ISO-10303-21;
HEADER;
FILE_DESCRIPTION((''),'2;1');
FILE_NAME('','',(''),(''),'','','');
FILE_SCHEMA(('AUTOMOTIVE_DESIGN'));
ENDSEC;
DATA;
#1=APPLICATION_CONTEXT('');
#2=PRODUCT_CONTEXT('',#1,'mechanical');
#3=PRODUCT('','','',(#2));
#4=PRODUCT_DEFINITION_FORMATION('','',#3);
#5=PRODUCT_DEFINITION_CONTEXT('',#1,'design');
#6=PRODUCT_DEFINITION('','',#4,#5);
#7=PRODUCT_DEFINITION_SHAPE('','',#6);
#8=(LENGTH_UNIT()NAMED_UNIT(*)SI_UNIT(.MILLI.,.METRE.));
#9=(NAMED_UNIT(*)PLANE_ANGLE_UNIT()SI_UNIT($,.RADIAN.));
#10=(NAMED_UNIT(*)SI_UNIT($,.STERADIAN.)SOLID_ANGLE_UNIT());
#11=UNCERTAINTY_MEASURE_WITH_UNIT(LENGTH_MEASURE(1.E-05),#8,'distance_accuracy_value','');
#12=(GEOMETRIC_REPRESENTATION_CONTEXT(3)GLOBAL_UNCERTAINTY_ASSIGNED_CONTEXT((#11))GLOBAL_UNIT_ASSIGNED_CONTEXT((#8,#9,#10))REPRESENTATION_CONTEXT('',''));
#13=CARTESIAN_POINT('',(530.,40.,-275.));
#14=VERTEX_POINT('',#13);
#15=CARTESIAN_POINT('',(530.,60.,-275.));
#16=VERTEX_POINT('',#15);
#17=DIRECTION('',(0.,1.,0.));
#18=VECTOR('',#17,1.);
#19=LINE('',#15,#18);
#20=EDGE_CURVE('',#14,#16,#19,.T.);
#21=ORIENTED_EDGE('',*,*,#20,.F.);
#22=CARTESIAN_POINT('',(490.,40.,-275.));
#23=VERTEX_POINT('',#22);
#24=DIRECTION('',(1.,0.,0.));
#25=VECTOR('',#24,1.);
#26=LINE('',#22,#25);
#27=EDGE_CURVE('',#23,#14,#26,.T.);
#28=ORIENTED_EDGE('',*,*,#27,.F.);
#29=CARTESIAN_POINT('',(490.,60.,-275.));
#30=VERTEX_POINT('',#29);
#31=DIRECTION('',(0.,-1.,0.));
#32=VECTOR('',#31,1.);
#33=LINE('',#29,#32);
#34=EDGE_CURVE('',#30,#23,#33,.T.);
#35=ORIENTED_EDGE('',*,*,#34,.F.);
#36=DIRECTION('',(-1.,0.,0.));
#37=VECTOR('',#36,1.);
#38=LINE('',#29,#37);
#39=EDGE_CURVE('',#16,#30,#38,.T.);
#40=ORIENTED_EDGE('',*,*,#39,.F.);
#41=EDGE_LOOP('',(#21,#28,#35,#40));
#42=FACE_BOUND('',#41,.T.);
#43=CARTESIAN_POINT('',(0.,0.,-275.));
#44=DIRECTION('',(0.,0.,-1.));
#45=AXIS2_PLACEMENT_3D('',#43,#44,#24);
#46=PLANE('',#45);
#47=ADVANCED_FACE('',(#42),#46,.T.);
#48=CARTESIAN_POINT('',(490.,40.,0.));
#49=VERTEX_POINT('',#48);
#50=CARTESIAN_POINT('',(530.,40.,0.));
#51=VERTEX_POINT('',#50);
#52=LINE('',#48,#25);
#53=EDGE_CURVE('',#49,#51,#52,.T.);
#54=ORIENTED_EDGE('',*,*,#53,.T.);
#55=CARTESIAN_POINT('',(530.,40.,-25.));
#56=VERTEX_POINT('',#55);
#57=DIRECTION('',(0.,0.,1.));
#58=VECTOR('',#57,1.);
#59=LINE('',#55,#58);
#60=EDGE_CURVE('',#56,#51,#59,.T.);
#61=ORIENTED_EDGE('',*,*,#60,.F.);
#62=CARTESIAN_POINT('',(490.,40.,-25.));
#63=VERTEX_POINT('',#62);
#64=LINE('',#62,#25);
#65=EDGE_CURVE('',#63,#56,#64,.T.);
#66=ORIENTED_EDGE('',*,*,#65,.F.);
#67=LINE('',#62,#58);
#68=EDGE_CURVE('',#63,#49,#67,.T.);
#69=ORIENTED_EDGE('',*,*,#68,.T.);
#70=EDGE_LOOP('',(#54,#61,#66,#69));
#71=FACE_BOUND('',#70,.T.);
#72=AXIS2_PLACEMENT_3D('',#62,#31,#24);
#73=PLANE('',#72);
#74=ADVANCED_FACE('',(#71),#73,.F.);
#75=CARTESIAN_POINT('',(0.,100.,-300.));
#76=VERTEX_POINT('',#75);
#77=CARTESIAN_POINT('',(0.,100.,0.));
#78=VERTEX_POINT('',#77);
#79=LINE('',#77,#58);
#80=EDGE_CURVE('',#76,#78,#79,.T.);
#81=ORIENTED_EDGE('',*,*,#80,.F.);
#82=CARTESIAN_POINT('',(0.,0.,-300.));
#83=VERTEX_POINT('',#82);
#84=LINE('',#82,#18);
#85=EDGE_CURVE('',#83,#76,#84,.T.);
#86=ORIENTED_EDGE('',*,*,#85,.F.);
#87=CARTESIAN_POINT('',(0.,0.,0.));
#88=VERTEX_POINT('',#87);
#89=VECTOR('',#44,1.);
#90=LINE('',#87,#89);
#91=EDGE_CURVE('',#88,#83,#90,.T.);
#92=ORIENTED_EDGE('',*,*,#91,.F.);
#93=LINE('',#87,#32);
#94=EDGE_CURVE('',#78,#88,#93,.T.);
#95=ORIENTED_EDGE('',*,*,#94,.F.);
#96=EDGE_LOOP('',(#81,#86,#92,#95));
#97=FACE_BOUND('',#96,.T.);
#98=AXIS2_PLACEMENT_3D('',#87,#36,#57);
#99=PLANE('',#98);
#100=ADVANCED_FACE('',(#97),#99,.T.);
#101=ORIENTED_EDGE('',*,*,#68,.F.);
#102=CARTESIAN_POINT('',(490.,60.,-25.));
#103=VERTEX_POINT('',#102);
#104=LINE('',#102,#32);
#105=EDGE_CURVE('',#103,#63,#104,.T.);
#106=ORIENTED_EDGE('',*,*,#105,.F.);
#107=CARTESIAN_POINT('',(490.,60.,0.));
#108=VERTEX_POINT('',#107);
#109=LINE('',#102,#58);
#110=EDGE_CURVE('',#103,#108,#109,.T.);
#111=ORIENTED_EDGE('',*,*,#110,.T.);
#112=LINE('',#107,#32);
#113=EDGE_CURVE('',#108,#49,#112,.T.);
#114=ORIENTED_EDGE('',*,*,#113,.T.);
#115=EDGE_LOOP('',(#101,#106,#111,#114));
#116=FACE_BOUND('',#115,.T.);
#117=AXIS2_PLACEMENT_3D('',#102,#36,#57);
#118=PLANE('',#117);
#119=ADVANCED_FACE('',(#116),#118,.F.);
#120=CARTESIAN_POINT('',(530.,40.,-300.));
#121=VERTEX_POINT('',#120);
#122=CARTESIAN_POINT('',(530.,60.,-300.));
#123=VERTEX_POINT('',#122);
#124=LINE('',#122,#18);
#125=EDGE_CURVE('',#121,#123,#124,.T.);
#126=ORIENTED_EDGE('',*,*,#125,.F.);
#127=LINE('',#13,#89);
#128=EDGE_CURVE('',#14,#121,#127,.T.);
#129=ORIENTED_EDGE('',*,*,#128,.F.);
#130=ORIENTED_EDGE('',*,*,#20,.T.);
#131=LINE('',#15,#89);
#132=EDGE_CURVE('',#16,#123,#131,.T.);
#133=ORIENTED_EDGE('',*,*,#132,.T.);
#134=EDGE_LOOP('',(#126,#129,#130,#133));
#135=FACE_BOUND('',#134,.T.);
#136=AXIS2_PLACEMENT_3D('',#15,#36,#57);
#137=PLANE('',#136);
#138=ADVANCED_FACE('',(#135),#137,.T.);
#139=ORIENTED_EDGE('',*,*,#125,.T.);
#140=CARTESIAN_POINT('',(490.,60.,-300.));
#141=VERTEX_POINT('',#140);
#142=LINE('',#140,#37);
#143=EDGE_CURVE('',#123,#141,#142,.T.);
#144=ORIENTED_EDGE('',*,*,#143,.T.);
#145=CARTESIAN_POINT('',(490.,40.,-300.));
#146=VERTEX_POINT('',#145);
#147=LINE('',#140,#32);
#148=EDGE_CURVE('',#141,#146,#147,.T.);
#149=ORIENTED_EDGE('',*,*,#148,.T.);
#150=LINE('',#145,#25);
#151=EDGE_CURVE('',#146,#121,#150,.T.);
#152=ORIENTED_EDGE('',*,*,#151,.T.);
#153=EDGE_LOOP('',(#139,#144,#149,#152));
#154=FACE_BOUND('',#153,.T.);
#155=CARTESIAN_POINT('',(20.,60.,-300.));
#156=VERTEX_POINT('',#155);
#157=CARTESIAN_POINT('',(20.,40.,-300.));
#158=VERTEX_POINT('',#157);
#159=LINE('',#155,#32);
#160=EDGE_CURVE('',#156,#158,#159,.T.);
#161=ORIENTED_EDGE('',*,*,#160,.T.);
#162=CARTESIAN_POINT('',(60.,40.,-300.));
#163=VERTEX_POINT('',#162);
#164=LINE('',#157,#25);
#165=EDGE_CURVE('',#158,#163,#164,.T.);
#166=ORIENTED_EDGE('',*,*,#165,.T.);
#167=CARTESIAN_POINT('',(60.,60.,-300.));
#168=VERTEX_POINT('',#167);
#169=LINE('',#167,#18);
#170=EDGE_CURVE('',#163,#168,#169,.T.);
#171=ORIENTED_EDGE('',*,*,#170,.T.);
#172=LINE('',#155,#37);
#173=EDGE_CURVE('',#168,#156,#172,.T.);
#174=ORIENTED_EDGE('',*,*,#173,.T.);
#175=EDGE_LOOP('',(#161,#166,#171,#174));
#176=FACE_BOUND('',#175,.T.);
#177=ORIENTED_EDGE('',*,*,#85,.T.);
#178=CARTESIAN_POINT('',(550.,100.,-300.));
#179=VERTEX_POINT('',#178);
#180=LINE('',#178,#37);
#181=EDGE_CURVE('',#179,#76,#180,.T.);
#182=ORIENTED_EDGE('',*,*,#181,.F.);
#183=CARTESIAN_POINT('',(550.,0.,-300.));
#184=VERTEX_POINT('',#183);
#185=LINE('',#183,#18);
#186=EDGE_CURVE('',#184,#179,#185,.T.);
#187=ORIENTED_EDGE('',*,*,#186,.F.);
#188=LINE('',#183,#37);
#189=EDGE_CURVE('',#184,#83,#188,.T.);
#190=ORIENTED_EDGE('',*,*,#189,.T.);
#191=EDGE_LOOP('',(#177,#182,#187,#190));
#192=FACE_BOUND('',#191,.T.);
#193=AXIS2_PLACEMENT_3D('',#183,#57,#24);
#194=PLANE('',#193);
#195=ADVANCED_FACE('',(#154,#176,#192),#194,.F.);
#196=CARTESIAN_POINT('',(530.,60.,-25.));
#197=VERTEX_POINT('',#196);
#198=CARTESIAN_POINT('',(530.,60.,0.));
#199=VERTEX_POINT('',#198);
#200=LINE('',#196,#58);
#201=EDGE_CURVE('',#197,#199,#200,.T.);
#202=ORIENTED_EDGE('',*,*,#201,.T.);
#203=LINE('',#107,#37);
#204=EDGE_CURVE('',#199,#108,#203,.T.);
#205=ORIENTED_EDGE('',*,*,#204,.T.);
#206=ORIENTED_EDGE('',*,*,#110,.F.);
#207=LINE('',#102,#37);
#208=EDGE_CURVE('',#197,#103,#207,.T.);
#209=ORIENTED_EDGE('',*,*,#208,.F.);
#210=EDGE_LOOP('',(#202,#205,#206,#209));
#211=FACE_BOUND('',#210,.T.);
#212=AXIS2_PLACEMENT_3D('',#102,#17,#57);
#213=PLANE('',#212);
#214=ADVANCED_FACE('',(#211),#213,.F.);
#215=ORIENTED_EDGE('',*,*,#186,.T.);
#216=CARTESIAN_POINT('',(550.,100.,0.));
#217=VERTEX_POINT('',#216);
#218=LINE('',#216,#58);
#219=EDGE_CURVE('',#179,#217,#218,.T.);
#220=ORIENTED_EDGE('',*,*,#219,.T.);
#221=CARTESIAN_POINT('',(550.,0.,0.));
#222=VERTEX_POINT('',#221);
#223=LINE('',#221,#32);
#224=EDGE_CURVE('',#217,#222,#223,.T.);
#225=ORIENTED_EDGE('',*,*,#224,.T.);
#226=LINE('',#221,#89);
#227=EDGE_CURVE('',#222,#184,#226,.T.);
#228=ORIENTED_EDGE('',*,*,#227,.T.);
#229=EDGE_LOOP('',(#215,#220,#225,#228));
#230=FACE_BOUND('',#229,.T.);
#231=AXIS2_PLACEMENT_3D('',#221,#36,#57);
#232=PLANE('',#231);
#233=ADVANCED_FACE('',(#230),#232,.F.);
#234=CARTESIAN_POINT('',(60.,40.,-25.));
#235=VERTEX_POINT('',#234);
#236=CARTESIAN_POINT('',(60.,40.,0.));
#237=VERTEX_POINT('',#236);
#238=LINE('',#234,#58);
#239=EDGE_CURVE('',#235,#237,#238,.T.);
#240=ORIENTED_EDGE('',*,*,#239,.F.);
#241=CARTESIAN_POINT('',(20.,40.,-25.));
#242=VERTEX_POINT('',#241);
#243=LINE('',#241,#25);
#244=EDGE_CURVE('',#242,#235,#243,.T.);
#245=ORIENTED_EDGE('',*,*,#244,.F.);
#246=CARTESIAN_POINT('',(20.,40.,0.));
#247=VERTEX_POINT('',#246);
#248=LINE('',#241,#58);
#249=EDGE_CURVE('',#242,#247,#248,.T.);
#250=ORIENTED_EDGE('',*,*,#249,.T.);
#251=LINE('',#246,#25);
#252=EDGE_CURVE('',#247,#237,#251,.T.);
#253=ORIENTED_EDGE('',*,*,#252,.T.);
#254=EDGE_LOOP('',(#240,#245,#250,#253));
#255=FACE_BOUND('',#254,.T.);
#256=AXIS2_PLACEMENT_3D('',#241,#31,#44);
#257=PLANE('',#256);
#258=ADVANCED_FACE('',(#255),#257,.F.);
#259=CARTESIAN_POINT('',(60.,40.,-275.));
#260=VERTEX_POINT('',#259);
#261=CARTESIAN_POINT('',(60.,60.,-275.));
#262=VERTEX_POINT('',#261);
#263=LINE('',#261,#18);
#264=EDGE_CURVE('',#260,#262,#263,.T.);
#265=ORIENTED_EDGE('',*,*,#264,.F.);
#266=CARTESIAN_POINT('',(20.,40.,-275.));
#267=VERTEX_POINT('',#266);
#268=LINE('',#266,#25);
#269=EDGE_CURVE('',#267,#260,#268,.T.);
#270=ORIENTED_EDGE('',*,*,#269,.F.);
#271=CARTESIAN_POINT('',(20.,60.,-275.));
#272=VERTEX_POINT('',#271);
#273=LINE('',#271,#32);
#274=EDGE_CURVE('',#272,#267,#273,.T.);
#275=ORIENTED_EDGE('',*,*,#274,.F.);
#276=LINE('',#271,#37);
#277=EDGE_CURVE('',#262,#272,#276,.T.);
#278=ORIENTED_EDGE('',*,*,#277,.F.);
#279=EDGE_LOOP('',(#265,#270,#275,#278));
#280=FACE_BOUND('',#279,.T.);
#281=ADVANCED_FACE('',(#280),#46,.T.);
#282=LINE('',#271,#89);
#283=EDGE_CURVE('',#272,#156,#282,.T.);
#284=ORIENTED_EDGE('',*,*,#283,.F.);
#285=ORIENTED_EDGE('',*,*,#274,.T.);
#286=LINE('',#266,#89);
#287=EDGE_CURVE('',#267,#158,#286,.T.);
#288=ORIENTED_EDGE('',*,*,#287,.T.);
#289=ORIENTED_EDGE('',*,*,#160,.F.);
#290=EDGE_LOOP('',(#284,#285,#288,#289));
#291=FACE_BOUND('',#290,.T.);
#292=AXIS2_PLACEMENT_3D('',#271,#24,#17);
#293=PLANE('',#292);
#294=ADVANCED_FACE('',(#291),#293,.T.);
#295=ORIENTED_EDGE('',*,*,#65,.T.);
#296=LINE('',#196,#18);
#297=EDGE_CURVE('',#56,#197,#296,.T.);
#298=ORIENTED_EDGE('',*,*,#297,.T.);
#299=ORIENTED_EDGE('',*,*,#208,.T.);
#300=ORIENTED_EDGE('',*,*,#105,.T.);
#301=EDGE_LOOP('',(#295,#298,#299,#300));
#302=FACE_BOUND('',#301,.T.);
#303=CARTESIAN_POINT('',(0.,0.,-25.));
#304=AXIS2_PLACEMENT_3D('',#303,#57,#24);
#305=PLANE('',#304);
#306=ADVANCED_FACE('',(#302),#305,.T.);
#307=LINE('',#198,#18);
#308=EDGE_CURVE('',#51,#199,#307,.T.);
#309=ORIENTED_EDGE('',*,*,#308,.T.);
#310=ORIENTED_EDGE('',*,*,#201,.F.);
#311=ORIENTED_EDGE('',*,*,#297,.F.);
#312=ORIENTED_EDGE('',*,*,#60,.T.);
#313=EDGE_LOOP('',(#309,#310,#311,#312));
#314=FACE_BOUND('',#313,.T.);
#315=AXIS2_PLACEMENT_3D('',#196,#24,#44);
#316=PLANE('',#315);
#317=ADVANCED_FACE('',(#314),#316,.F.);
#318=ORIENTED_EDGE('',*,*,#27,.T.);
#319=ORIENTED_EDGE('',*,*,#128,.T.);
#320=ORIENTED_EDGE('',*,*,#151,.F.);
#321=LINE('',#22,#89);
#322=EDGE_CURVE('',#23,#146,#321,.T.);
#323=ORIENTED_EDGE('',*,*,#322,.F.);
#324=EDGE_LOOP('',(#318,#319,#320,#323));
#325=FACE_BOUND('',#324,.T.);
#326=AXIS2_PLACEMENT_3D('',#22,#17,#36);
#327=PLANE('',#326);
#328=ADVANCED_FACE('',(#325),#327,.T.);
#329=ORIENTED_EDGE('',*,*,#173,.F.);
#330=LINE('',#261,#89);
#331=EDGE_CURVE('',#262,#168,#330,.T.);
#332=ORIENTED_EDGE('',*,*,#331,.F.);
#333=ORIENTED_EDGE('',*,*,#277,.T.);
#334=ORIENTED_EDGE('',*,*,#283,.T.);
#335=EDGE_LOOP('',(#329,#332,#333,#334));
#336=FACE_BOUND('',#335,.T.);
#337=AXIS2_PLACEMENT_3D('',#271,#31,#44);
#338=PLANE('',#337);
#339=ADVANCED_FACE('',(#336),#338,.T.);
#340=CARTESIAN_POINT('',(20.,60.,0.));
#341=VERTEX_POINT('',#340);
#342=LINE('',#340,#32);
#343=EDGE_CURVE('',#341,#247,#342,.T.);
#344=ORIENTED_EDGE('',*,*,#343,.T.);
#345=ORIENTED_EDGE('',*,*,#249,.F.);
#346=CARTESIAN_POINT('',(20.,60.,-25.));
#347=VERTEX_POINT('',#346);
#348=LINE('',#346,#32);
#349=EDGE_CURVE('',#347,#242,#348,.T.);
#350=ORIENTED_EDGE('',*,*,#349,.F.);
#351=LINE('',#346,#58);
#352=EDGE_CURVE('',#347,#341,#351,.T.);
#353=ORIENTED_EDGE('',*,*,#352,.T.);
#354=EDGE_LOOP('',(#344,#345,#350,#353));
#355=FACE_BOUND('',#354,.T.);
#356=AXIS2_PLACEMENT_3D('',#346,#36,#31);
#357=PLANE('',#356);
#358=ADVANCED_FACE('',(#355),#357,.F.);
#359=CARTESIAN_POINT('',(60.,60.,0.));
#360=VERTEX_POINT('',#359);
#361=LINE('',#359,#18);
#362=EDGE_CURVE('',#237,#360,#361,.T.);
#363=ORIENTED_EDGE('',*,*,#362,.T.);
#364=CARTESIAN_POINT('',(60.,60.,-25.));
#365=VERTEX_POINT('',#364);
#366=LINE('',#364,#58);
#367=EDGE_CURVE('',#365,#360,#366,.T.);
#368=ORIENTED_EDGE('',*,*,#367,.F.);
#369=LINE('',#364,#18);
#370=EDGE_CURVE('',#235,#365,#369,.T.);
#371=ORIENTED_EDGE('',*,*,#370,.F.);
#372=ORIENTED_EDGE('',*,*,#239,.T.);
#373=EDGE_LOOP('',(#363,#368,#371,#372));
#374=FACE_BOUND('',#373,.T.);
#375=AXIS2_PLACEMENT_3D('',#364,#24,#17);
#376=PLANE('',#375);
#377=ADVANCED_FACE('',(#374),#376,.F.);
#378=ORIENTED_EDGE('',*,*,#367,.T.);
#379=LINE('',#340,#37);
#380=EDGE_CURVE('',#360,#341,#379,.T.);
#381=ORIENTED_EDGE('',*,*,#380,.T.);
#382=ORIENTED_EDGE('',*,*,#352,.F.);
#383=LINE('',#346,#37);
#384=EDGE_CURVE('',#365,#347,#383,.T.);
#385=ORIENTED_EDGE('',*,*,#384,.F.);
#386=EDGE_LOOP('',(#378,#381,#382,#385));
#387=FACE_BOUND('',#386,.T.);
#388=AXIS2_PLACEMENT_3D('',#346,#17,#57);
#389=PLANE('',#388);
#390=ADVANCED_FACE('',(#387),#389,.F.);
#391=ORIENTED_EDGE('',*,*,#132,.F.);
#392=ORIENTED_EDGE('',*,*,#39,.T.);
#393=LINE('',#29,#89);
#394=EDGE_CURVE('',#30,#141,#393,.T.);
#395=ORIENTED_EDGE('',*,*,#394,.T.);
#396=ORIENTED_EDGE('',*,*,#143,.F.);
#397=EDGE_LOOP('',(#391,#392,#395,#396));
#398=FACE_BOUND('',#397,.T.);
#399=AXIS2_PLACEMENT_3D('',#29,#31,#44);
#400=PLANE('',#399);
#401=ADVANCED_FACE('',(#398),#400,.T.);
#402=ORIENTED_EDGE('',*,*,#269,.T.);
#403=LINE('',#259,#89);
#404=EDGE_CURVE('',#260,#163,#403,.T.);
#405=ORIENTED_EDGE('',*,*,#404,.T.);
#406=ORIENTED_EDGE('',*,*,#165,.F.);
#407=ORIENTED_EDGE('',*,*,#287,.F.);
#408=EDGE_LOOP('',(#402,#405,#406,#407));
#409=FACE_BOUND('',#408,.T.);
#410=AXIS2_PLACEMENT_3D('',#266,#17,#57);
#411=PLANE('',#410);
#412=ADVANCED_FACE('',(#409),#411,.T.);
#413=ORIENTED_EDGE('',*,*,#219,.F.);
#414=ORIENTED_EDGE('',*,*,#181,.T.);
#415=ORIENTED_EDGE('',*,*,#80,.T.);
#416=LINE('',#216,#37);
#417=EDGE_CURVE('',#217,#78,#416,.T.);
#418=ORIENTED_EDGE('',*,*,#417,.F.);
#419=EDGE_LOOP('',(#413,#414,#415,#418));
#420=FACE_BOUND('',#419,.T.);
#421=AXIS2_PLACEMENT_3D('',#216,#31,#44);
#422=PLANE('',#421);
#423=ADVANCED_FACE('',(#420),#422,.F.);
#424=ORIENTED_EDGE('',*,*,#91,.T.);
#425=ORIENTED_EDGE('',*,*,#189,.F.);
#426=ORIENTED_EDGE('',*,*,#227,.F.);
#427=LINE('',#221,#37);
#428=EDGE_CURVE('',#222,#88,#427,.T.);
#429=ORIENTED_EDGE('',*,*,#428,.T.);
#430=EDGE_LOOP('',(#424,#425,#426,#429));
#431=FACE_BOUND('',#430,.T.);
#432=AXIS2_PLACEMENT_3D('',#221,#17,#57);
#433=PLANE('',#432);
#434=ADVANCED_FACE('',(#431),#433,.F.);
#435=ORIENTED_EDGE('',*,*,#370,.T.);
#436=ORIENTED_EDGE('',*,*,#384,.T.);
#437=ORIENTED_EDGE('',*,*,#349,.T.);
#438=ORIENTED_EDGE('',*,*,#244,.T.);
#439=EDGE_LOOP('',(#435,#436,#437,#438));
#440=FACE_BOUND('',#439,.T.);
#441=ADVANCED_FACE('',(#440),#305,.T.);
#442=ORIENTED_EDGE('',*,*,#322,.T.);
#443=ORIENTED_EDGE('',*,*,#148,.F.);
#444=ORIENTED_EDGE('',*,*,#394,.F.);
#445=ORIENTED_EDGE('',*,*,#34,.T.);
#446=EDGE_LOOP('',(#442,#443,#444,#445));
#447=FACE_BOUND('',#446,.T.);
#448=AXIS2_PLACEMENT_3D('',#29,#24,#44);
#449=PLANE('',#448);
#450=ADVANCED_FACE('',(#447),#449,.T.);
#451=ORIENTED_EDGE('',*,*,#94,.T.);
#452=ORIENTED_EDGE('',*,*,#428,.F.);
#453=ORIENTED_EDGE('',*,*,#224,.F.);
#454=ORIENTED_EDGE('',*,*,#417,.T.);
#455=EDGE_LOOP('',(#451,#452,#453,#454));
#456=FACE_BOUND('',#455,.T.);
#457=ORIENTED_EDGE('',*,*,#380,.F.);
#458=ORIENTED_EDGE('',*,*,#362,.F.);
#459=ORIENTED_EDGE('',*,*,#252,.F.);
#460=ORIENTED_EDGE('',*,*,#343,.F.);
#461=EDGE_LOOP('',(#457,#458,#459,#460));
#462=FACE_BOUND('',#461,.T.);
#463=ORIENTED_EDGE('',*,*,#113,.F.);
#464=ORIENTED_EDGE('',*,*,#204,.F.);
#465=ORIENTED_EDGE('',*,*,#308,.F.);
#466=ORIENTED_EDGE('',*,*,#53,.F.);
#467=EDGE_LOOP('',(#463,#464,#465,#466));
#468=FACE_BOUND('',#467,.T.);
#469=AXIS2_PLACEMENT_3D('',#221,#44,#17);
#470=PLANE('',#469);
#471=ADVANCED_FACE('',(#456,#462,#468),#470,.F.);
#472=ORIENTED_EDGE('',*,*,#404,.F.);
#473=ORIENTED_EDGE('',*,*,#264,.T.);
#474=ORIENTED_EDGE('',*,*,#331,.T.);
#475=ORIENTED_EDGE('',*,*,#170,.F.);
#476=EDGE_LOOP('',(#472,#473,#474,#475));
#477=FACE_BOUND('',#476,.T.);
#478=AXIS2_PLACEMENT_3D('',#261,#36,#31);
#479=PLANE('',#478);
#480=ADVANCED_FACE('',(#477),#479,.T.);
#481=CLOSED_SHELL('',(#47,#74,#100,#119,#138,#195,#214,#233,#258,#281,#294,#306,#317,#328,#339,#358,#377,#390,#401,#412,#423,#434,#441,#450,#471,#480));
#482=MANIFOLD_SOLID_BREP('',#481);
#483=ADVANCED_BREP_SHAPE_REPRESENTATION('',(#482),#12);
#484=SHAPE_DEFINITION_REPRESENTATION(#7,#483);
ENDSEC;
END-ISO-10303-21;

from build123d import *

# Parameters (mm, degrees)
SKETCH1_W           = 300
SKETCH1_H           = 100
BOSS_EXTRUDE1_DEPTH = 550
SKETCH2_W           = 40
SKETCH2_H           = 20
CUT_EXTRUDE1_DEPTH  = 25


with BuildPart() as part:
    # Sketch1 → Boss-Extrude1 (new body)
    with BuildSketch(Plane(origin=(0, 0, 0), x_dir=(0, 0, -1), z_dir=(1, 0, 0))):
        with Locations((150, 50)):
            Rectangle(SKETCH1_W, SKETCH1_H)
    extrude(amount=BOSS_EXTRUDE1_DEPTH)

    # Sketch2 → Cut-Extrude1 (cut)
    with BuildSketch(Plane.XY):
        with Locations((40, 50)):
            Rectangle(SKETCH2_W, SKETCH2_H)
        with Locations((510, 50)):
            Rectangle(SKETCH2_W, SKETCH2_H)
    cut_extrude1 = extrude(amount=-CUT_EXTRUDE1_DEPTH, mode=Mode.SUBTRACT)

    # Mirror1: Cut-Extrude1 across plane
    add(cut_extrude1.mirror(Plane.XY.offset(-150)), mode=Mode.SUBTRACT)


solid = part.part
